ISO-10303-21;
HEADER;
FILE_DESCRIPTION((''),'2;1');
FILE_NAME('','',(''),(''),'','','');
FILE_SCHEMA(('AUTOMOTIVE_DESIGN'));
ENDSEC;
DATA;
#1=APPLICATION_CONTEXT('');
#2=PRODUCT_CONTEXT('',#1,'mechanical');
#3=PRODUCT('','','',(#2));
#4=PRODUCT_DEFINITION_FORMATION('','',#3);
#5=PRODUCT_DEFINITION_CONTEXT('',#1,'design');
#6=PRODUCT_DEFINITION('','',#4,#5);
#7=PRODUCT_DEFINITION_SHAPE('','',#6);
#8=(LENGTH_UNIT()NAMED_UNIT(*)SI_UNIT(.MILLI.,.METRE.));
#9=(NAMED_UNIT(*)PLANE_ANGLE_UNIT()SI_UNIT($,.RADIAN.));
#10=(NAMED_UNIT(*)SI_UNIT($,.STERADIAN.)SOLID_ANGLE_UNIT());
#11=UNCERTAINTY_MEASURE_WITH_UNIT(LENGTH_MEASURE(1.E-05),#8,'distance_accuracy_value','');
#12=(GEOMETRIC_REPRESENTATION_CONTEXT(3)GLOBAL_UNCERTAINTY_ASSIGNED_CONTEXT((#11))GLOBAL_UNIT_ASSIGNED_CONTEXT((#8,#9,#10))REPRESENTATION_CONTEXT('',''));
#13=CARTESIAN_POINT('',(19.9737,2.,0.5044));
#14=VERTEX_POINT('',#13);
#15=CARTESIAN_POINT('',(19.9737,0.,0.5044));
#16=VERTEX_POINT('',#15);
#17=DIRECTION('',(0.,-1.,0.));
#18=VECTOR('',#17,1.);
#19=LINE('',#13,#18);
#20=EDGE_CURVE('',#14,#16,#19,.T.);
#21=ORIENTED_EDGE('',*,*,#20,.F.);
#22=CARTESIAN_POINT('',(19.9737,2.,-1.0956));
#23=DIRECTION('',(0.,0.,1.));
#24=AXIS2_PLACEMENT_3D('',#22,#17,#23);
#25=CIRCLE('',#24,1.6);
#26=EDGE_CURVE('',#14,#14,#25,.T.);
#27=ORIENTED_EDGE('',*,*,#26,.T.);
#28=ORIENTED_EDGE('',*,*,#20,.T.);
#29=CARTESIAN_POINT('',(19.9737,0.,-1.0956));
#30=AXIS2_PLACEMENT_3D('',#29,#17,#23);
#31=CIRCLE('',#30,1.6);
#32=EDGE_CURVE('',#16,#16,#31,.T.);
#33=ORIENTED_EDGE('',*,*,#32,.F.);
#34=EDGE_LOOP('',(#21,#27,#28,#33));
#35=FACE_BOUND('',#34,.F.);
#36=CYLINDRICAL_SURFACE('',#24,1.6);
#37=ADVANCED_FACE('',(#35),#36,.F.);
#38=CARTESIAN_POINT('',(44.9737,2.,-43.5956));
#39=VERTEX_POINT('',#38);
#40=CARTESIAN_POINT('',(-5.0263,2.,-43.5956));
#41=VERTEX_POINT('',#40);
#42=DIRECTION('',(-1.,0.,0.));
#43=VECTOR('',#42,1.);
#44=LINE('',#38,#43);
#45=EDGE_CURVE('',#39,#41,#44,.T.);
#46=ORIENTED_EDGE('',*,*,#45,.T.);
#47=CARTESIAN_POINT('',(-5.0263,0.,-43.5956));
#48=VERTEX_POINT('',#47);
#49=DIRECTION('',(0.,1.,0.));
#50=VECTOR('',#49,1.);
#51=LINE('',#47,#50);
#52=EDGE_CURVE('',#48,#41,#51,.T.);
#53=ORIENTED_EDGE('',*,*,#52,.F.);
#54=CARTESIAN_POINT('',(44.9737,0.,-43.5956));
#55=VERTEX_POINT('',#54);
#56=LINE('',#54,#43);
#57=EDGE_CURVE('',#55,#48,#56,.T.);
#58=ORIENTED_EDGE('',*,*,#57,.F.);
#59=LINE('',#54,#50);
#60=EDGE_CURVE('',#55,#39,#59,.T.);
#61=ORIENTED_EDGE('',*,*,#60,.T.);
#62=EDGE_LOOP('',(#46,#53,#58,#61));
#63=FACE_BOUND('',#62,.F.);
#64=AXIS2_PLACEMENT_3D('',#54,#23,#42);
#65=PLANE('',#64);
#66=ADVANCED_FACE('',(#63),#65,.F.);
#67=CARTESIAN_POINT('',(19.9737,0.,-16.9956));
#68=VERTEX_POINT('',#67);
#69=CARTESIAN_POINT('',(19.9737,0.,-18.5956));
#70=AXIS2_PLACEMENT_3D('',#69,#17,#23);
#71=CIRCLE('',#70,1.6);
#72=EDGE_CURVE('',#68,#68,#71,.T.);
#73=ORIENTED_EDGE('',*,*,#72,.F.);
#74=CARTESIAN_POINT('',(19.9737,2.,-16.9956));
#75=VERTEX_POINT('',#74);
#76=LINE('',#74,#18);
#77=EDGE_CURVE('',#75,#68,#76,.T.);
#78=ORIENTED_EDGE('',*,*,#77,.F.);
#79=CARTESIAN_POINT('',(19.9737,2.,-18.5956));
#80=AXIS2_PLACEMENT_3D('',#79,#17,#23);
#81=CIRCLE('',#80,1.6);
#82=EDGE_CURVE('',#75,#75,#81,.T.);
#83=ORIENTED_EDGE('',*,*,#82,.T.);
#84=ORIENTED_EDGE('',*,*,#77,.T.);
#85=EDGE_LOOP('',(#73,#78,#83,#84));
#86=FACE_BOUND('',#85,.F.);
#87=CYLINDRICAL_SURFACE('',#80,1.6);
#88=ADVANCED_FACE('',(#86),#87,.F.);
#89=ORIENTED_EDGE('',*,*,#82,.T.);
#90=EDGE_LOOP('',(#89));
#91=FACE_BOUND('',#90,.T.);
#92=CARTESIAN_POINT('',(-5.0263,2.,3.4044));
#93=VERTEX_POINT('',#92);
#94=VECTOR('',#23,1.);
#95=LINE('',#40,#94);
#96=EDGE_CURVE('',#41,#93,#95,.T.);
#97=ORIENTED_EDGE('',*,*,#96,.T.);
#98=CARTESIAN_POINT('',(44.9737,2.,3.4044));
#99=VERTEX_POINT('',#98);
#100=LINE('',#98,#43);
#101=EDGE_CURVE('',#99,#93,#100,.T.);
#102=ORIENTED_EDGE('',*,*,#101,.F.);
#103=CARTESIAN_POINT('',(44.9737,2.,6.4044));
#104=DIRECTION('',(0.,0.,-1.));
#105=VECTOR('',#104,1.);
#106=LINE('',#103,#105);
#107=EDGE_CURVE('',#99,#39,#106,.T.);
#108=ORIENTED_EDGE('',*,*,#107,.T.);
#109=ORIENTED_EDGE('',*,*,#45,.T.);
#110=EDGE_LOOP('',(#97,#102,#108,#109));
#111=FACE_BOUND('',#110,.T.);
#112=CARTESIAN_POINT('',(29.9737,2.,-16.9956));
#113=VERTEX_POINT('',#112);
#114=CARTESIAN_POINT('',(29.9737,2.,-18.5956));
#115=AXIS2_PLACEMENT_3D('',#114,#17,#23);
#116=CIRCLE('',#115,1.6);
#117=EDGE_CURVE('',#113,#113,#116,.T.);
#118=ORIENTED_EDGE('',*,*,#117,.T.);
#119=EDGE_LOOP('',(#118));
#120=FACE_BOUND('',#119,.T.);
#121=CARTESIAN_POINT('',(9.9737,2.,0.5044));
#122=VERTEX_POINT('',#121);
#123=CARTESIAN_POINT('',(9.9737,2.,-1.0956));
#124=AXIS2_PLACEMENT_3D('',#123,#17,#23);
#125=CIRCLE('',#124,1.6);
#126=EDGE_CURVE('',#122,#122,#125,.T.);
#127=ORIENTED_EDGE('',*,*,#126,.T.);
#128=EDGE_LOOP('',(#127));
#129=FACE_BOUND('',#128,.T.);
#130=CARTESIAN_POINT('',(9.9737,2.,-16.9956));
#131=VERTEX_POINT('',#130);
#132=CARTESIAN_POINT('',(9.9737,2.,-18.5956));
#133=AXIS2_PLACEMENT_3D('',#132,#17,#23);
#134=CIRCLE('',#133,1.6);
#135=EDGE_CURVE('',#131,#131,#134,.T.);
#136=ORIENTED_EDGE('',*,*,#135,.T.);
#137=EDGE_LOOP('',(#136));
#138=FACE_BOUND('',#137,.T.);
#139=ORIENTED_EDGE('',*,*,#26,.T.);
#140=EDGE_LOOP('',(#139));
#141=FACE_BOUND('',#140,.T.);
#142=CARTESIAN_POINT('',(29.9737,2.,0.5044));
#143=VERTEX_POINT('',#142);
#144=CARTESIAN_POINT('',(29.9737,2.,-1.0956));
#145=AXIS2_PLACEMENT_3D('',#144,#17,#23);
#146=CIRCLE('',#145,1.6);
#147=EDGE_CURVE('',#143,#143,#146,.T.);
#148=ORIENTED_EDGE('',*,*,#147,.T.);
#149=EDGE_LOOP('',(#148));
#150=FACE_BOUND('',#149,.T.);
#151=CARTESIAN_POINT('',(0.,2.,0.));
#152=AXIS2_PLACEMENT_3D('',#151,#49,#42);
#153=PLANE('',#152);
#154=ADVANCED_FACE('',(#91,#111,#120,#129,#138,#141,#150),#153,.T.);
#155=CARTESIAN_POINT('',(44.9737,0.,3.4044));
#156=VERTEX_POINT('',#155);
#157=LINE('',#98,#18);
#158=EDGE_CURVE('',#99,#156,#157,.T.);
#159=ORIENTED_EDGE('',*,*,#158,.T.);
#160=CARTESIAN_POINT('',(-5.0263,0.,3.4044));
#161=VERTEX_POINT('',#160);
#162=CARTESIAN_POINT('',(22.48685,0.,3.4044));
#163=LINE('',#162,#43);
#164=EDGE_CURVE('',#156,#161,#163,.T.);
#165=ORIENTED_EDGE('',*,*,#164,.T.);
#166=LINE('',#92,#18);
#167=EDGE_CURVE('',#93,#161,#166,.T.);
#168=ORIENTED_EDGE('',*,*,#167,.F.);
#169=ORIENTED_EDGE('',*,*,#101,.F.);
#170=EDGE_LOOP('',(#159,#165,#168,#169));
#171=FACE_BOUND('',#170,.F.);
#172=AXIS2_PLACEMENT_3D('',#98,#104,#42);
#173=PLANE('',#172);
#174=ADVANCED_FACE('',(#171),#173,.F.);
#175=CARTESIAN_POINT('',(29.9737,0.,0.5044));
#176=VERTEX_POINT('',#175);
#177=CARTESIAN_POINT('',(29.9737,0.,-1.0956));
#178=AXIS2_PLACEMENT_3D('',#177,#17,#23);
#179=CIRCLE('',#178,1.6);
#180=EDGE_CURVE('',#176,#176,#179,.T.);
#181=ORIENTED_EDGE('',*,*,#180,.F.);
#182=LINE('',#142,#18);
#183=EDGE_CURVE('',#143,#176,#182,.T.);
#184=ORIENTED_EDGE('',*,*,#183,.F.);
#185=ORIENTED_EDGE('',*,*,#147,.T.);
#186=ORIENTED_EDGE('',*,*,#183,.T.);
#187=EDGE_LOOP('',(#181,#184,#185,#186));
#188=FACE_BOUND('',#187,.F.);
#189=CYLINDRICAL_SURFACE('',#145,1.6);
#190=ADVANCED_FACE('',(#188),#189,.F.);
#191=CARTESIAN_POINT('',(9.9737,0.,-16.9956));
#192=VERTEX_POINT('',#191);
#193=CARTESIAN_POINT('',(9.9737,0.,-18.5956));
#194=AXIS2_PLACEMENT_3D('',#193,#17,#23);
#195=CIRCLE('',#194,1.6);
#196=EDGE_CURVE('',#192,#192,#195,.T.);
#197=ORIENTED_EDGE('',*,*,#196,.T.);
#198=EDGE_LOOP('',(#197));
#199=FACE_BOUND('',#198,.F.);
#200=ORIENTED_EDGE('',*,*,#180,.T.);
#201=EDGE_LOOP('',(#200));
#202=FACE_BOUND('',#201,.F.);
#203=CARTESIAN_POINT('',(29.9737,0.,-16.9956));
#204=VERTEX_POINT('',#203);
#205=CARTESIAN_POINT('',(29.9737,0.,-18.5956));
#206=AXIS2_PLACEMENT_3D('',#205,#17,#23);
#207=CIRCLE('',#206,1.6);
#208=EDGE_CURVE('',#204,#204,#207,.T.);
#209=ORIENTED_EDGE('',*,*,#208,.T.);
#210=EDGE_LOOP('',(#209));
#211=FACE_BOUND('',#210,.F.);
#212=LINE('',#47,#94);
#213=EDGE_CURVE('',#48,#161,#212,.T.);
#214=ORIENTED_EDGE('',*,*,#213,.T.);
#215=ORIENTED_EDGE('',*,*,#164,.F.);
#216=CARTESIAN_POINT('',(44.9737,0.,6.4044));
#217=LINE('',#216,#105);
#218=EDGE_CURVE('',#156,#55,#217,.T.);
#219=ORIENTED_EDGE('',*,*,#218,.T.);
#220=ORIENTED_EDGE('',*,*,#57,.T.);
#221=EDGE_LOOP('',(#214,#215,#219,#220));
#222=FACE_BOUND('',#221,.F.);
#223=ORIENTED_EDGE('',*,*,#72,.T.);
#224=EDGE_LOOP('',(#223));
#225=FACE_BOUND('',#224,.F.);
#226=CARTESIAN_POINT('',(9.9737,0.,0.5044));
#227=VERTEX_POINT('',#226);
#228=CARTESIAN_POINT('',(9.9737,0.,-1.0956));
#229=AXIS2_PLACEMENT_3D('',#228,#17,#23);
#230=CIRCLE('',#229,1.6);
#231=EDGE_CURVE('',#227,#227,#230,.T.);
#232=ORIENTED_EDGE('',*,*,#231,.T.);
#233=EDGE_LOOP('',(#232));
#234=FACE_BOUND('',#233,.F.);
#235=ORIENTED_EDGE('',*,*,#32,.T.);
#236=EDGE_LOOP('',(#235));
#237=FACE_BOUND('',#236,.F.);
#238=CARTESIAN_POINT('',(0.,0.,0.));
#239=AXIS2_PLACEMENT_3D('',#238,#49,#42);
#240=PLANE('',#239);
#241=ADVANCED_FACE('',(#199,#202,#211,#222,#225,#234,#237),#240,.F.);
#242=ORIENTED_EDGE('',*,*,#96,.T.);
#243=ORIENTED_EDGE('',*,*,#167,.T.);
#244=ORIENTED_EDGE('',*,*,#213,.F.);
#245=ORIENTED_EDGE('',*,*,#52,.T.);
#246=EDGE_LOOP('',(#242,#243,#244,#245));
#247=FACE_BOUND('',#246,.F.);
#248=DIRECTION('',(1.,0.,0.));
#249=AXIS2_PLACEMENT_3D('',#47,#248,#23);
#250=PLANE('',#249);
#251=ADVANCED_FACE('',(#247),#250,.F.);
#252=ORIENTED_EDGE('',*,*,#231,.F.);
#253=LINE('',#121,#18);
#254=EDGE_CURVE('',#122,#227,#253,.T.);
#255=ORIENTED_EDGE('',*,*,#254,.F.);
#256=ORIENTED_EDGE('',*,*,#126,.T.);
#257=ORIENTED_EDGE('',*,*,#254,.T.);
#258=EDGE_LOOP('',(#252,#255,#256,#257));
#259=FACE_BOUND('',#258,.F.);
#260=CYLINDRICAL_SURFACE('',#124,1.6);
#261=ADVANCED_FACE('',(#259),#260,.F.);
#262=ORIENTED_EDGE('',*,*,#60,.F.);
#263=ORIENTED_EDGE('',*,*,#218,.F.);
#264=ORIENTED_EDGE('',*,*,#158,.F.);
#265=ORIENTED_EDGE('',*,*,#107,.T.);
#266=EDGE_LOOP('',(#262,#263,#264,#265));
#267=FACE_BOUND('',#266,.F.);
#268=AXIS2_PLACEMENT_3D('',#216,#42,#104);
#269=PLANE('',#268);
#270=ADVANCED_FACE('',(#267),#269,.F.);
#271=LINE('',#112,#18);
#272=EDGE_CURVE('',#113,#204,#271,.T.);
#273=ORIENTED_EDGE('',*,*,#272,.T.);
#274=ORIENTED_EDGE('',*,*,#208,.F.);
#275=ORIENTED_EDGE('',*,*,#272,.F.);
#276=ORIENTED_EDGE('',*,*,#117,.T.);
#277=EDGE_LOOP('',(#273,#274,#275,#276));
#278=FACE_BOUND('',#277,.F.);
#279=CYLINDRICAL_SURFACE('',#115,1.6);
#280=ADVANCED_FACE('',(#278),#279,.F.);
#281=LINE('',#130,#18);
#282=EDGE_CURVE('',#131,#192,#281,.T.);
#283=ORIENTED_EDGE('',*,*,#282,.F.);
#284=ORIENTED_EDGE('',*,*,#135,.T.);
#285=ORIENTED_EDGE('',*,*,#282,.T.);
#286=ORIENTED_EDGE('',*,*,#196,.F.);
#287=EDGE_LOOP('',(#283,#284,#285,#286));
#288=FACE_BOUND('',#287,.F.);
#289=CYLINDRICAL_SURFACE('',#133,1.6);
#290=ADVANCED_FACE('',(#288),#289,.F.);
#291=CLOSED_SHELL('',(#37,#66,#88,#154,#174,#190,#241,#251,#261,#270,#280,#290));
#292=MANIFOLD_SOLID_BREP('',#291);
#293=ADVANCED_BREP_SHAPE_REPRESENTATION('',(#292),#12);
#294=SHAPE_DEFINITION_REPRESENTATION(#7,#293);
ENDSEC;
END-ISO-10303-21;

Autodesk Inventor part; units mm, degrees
ref_plane "YZ Plane" through (0, 0, 0) normal (1, 0, 0) x (0, 1, 0)
ref_plane "XZ Plane" through (0, 0, 0) normal (0, 1, 0) x (-1, 0, 0)
ref_plane "XY Plane" through (0, 0, 0) normal (0, 0, 1) x (1, 0, 0)
sketch "スケッチ1" plane through (0, 0, 0) normal (0, 1, 0) x (-1, 0, 0)
  line L0 (5.0263, 6.4044) -> (-44.9737, 6.4044)
  line L1 (-44.9737, 6.4044) -> (-44.9737, -43.5956)
  line L2 (-44.9737, -43.5956) -> (5.0263, -43.5956)
  line L3 (5.0263, -43.5956) -> (5.0263, 6.4044)
  point P0 (0, 0)
  dimension "d0" = 50
  dimension "d1" = 50
extrude "押し出し1" add sketch "スケッチ1" along normal blind 2
sketch "スケッチ2" plane through (0, 2, 0) normal (0, 1, 0) x (1, 0, 0)
  circle A0 centre (19.9737, 1.0956) radius 1.5
  line L0 (-5.0263, -6.4044) -> (44.9737, -6.4044) projected
  line L1 (-5.0263, 43.5956) -> (-5.0263, -6.4044) projected
  circle A1 centre (9.9737, 1.0956) radius 1.5
  circle A2 centre (29.9737, 1.0956) radius 1.5
  circle A3 centre (9.9737, 18.5956) radius 1.5
  circle A4 centre (19.9737, 18.5956) radius 1.5
  circle A5 centre (29.9737, 18.5956) radius 1.5
  point P0 (0, 0)
  dimension "d4" = 3
  dimension "d5" = 7.5
  dimension "d6" = 25
  dimension "d7" = 3
  dimension "d8" = 3
  dimension "d9" = 10
  dimension "d10" = 10
  dimension "d11" = 3
  dimension "d12" = 17.5
  dimension "d13" = 3
  dimension "d14" = 3
  dimension "d15" = 10
  dimension "d16" = 10
  dimension "d17" = 17.5
hole "穴1" at (9.9737, 2, -1.0956) at (19.9737, 2, -1.0956) at (29.9737, 2, -1.0956) at (9.9737, 2, -18.5956) at (19.9737, 2, -18.5956) at (29.9737, 2, -18.5956) direction (0, -1, 0) diameter 3 depth 2
sketch "スケッチ3" plane through (0, 2, 0) normal (0, 1, 0) x (1, 0, 0)
  line L0 (-4.9253, -3.4044) -> (44.9737, -3.4044)
  line L1 (44.9737, -6.4044) -> (44.9737, 43.5956) projected
  line L2 (-5.0263, -6.4044) -> (44.9737, -6.4044) projected
  point P0 (0, 0)
  dimension "d25" = 3
sketch "スケッチ4" plane through (0, 2, 0) normal (0, 1, 0) x (1, 0, 0)
  line L0 (-5.0263, 43.5956) -> (-5.0263, -6.4044) projected
  line L1 (-5.0263, -6.4044) -> (44.9737, -6.4044) projected
  line L2 (-5.0263, -6.4044) -> (44.9737, -6.4044)
  line L3 (44.9737, -6.4044) -> (44.9737, -3.4044)
  line L4 (44.9737, -6.4044) -> (44.9737, 43.5956) projected
  line L5 (44.9737, -3.4044) -> (-5.0263, -3.4044)
  line L6 (-5.0263, -3.4044) -> (-5.0263, -6.4044)
  point P0 (0, 0)
  dimension "d26" = 3
extrude "押し出し2" cut sketch "スケッチ4" against normal blind 10
sketch "スケッチ5" plane through (0, 2, 0) normal (0, 1, 0) x (1, 0, 0)
  circle A0 centre (9.9737, 1.0956) radius 1.6
  line L0 (-5.0263, -3.4044) -> (44.9737, -3.4044) projected
  circle A1 centre (9.9737, 18.5956) radius 1.5 projected
  circle A2 centre (9.9737, 18.5956) radius 1.6
  circle A3 centre (19.9737, 18.5956) radius 1.6
  circle A4 centre (19.9737, 1.0956) radius 1.6
  circle A5 centre (29.9737, 18.5956) radius 1.6
  circle A6 centre (29.9737, 1.0956) radius 1.6
  line L1 (-5.0263, 43.5956) -> (-5.0263, -3.4044) projected
  point P0 (0, 0)
  dimension "d29" = 3.2
  dimension "d30" = 4.5
  dimension "d32" = 3.2
  dimension "d33" = 3.2
  dimension "d34" = 3.2
  dimension "d35" = 3.2
  dimension "d36" = 3.2
  dimension "d37" = 4.5
  dimension "d38" = 17.5
  dimension "d39" = 17.5
  dimension "d40" = 17.5
  dimension "d41" = 4.5
  dimension "d42" = 10
  dimension "d43" = 10
  dimension "d44" = 10
  dimension "d45" = 15
  dimension "d46" = 15
  dimension "d47" = 10
hole "穴2" at (9.9737, 2, -1.0956) at (19.9737, 2, -1.0956) at (29.9737, 2, -1.0956) at (29.9737, 2, -18.5956) at (19.9737, 2, -18.5956) at (9.9737, 2, -18.5956) direction (0, -1, 0) diameter 3.2 depth 3
equation "\"BendRadius\" = Thickness"
equation "\"BendReliefWidth\" = Thickness"
equation "\"BendReliefDepth\" = 0.5 * Thickness"
equation "\"CornerReliefSize\" = 4 * Thickness"
equation "\"MinimumRemnant\" = 2 * Thickness"
equation "\"TransitionRadius\" = BendRadius"
equation "\"JacobiRadiusSize\" = BendRadius"
equation "\"GapSize\" = Thickness"
equation "\"Thickness\" = 0.5"
properties part number "nhk20" material "アルミニウム 6061"
